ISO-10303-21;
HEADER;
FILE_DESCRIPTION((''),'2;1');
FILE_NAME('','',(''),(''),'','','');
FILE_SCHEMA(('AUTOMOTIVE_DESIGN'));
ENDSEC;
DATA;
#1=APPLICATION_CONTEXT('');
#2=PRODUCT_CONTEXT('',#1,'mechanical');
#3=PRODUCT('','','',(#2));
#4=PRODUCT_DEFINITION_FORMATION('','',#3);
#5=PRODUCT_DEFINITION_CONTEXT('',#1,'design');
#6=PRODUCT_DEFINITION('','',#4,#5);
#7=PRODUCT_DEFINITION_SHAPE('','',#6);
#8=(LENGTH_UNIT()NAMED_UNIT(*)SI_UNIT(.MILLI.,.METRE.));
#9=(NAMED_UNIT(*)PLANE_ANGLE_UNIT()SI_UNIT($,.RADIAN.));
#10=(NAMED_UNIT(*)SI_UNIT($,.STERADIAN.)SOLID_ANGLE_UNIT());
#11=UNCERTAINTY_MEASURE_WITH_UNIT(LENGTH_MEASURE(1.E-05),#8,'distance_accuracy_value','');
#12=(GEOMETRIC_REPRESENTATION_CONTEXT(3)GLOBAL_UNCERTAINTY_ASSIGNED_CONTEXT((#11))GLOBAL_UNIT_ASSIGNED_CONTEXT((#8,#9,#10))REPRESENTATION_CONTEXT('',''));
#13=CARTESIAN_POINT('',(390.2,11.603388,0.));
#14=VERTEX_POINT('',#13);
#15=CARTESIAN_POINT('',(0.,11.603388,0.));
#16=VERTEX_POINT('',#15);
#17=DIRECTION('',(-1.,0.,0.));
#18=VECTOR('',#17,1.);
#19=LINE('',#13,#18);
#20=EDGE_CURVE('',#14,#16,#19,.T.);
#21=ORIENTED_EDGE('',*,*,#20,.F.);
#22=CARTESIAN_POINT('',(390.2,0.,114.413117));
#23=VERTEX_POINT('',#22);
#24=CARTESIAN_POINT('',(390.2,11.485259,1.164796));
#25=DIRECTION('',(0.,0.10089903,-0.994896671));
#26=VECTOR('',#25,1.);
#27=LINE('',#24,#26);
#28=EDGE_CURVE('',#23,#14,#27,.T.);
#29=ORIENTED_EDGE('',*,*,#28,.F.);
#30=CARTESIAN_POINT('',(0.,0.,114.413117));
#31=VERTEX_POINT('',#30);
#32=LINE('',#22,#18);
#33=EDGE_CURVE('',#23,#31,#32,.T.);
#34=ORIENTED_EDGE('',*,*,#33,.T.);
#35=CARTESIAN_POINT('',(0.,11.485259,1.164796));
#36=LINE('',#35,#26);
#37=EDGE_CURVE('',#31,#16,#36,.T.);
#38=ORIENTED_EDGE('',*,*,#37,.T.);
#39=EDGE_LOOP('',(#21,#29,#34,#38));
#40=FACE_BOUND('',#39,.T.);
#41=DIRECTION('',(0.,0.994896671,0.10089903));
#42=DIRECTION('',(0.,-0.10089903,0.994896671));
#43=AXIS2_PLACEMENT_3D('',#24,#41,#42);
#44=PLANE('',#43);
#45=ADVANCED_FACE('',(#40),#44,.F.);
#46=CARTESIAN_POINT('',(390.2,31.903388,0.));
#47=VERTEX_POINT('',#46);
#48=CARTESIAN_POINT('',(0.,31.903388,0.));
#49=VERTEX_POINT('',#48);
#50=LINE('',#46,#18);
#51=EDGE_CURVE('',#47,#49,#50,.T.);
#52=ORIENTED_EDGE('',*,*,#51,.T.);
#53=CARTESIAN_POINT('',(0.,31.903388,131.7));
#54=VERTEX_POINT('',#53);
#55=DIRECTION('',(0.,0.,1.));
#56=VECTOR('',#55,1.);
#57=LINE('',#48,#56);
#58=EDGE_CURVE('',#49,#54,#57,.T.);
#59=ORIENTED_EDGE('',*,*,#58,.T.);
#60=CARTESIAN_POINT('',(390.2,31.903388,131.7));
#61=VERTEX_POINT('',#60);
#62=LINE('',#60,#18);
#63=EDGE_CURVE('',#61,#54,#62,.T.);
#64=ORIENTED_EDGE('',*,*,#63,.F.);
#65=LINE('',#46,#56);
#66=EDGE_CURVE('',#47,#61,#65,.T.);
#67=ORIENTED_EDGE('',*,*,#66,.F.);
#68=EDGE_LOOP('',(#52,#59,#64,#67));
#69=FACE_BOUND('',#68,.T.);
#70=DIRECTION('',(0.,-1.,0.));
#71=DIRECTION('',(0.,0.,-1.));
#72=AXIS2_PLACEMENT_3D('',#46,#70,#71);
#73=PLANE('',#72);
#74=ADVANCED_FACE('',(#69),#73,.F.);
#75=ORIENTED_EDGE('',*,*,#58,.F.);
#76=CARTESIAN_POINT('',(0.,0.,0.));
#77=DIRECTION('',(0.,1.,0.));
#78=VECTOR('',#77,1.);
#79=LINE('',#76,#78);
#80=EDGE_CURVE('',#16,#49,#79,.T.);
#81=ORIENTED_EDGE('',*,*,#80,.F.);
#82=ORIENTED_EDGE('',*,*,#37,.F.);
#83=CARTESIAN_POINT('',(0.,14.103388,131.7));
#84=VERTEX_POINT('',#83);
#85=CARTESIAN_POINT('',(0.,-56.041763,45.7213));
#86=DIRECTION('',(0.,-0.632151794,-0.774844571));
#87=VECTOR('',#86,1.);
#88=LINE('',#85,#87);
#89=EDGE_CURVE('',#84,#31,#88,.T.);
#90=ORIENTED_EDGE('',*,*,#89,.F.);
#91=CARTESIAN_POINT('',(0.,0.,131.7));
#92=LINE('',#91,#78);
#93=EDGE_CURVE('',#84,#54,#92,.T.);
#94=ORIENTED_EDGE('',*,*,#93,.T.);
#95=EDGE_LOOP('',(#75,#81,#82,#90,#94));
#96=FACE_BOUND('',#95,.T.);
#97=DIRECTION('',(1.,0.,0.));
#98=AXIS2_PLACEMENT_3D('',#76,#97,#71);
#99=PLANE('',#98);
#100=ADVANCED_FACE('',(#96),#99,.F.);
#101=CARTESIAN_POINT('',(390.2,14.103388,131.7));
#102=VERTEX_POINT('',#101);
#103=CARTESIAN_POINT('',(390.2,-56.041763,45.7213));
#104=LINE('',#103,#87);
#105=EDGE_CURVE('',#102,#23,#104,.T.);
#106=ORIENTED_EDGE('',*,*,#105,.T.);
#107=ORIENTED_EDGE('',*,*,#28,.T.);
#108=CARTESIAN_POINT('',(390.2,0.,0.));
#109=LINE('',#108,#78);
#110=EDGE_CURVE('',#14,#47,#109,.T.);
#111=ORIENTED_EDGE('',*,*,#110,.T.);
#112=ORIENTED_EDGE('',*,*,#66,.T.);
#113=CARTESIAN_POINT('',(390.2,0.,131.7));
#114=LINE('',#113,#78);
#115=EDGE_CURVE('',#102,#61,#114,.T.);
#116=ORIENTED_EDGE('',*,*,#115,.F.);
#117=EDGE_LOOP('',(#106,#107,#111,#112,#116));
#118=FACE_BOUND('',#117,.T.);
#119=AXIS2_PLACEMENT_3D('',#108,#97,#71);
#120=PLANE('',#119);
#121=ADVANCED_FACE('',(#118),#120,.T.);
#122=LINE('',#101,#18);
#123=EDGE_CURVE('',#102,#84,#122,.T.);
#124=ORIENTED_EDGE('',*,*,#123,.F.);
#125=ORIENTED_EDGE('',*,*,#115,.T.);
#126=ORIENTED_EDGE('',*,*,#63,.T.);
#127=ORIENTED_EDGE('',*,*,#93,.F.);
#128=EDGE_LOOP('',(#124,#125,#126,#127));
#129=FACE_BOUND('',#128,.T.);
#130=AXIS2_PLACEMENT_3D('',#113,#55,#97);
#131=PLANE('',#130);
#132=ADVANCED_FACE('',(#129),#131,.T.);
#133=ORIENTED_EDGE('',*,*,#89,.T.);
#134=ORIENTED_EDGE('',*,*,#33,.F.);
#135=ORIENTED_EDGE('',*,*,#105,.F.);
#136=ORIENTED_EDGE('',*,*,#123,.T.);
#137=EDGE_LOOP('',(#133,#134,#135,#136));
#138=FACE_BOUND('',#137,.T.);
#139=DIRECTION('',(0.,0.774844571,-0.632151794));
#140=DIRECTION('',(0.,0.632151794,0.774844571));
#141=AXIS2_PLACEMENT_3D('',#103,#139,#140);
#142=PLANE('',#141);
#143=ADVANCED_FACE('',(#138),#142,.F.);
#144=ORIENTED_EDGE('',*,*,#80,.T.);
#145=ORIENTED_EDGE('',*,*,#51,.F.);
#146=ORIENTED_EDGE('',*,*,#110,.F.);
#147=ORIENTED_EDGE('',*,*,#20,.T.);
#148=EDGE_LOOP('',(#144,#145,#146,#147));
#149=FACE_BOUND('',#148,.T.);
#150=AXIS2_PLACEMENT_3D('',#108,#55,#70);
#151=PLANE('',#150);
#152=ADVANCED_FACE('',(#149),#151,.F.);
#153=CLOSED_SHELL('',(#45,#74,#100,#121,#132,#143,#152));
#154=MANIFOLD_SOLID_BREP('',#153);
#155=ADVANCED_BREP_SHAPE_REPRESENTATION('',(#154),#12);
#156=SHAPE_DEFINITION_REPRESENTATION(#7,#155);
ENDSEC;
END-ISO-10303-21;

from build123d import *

# Parameters (mm, degrees)
BOSS_EXTRUDE1_DEPTH = 390.2


with BuildPart() as part:
    # Sketch2 → Boss-Extrude1 (new body)
    with BuildSketch(Plane(origin=(0, 0, 0), x_dir=(0, 0, -1), z_dir=(1, 0, 0))):
        Polygon((-131.7, 31.903388491), (-131.7, 14.103388491), (-114.413117148, 0), (0, 11.603388491), (0, 31.903388491), align=None)
    extrude(amount=BOSS_EXTRUDE1_DEPTH)


solid = part.part
